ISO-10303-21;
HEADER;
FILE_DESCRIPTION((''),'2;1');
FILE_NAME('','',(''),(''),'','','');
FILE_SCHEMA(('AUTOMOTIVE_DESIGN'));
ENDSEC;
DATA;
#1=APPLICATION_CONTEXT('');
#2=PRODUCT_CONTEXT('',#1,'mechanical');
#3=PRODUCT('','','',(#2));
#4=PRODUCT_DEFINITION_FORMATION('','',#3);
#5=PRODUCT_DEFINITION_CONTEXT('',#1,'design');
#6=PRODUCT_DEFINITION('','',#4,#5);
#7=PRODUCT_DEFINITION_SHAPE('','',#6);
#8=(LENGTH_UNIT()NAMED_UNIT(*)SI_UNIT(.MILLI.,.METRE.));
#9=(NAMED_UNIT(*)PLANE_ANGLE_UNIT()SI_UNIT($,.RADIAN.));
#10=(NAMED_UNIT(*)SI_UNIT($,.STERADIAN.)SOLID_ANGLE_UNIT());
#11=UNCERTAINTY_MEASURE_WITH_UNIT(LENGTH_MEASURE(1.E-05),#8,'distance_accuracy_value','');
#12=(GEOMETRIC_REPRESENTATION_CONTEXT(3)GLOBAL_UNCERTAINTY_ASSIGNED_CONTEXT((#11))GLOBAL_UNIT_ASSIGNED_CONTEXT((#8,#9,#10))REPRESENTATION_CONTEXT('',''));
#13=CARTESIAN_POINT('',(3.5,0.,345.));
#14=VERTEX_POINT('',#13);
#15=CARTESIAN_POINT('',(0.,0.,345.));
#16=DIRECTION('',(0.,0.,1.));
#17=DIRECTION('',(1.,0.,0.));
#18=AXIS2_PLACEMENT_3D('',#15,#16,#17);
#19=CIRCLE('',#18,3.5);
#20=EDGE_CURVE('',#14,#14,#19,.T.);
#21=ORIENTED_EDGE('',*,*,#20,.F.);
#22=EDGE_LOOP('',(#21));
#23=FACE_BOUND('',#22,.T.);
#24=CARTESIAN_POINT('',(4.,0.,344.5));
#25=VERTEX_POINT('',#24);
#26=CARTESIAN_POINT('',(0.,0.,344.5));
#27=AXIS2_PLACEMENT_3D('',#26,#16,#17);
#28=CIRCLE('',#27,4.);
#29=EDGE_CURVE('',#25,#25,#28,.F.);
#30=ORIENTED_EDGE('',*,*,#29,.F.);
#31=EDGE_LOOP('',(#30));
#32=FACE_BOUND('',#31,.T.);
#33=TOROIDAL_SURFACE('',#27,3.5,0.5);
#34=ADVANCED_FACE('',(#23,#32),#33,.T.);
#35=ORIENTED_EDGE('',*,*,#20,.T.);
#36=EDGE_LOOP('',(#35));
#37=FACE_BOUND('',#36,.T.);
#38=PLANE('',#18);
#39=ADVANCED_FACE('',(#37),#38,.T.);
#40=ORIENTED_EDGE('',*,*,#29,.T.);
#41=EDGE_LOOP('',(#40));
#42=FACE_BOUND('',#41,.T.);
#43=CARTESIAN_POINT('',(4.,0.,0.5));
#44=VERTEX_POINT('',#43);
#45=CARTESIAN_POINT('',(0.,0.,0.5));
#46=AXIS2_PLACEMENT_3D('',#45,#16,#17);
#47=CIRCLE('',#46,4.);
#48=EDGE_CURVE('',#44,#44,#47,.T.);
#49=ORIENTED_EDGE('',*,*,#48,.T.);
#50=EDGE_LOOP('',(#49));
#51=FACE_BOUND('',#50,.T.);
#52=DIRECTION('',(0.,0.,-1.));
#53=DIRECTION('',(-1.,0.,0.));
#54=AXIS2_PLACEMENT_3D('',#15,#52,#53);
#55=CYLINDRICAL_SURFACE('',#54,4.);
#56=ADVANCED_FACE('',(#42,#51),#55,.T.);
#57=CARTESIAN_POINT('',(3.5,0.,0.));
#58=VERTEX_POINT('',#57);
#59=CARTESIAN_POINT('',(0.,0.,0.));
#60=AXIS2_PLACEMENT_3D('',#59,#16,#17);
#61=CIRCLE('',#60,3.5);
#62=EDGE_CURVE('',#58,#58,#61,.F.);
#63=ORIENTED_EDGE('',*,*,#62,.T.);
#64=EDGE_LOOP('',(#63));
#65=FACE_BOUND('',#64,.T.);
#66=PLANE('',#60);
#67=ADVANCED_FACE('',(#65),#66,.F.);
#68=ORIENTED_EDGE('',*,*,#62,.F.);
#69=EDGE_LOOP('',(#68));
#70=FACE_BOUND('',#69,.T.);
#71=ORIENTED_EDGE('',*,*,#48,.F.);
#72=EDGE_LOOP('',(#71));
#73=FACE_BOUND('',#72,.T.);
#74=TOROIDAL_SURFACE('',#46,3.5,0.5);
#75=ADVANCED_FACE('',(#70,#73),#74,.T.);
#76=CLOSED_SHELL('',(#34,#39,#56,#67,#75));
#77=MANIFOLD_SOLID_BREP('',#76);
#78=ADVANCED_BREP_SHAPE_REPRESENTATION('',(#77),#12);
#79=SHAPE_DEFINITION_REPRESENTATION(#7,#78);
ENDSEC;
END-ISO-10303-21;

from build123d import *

# Parameters (mm, degrees)
CROQUIS1_R              = 4
SALIENTE_EXTRUIR1_DEPTH = 345
REDONDEO1_R             = 0.5


with BuildPart() as part:
    # Croquis1 → Saliente-Extruir1 (new body)
    with BuildSketch(Plane.XY):
        Circle(CROQUIS1_R)
    extrude(amount=SALIENTE_EXTRUIR1_DEPTH)

    # Redondeo1
    redondeo1_edges = [part.edges().sort_by_distance(p)[0] for p in [
        (-4, 0, 0),
        (-4, 0, 345),
    ]]
    fillet(redondeo1_edges, radius=REDONDEO1_R)


solid = part.part
